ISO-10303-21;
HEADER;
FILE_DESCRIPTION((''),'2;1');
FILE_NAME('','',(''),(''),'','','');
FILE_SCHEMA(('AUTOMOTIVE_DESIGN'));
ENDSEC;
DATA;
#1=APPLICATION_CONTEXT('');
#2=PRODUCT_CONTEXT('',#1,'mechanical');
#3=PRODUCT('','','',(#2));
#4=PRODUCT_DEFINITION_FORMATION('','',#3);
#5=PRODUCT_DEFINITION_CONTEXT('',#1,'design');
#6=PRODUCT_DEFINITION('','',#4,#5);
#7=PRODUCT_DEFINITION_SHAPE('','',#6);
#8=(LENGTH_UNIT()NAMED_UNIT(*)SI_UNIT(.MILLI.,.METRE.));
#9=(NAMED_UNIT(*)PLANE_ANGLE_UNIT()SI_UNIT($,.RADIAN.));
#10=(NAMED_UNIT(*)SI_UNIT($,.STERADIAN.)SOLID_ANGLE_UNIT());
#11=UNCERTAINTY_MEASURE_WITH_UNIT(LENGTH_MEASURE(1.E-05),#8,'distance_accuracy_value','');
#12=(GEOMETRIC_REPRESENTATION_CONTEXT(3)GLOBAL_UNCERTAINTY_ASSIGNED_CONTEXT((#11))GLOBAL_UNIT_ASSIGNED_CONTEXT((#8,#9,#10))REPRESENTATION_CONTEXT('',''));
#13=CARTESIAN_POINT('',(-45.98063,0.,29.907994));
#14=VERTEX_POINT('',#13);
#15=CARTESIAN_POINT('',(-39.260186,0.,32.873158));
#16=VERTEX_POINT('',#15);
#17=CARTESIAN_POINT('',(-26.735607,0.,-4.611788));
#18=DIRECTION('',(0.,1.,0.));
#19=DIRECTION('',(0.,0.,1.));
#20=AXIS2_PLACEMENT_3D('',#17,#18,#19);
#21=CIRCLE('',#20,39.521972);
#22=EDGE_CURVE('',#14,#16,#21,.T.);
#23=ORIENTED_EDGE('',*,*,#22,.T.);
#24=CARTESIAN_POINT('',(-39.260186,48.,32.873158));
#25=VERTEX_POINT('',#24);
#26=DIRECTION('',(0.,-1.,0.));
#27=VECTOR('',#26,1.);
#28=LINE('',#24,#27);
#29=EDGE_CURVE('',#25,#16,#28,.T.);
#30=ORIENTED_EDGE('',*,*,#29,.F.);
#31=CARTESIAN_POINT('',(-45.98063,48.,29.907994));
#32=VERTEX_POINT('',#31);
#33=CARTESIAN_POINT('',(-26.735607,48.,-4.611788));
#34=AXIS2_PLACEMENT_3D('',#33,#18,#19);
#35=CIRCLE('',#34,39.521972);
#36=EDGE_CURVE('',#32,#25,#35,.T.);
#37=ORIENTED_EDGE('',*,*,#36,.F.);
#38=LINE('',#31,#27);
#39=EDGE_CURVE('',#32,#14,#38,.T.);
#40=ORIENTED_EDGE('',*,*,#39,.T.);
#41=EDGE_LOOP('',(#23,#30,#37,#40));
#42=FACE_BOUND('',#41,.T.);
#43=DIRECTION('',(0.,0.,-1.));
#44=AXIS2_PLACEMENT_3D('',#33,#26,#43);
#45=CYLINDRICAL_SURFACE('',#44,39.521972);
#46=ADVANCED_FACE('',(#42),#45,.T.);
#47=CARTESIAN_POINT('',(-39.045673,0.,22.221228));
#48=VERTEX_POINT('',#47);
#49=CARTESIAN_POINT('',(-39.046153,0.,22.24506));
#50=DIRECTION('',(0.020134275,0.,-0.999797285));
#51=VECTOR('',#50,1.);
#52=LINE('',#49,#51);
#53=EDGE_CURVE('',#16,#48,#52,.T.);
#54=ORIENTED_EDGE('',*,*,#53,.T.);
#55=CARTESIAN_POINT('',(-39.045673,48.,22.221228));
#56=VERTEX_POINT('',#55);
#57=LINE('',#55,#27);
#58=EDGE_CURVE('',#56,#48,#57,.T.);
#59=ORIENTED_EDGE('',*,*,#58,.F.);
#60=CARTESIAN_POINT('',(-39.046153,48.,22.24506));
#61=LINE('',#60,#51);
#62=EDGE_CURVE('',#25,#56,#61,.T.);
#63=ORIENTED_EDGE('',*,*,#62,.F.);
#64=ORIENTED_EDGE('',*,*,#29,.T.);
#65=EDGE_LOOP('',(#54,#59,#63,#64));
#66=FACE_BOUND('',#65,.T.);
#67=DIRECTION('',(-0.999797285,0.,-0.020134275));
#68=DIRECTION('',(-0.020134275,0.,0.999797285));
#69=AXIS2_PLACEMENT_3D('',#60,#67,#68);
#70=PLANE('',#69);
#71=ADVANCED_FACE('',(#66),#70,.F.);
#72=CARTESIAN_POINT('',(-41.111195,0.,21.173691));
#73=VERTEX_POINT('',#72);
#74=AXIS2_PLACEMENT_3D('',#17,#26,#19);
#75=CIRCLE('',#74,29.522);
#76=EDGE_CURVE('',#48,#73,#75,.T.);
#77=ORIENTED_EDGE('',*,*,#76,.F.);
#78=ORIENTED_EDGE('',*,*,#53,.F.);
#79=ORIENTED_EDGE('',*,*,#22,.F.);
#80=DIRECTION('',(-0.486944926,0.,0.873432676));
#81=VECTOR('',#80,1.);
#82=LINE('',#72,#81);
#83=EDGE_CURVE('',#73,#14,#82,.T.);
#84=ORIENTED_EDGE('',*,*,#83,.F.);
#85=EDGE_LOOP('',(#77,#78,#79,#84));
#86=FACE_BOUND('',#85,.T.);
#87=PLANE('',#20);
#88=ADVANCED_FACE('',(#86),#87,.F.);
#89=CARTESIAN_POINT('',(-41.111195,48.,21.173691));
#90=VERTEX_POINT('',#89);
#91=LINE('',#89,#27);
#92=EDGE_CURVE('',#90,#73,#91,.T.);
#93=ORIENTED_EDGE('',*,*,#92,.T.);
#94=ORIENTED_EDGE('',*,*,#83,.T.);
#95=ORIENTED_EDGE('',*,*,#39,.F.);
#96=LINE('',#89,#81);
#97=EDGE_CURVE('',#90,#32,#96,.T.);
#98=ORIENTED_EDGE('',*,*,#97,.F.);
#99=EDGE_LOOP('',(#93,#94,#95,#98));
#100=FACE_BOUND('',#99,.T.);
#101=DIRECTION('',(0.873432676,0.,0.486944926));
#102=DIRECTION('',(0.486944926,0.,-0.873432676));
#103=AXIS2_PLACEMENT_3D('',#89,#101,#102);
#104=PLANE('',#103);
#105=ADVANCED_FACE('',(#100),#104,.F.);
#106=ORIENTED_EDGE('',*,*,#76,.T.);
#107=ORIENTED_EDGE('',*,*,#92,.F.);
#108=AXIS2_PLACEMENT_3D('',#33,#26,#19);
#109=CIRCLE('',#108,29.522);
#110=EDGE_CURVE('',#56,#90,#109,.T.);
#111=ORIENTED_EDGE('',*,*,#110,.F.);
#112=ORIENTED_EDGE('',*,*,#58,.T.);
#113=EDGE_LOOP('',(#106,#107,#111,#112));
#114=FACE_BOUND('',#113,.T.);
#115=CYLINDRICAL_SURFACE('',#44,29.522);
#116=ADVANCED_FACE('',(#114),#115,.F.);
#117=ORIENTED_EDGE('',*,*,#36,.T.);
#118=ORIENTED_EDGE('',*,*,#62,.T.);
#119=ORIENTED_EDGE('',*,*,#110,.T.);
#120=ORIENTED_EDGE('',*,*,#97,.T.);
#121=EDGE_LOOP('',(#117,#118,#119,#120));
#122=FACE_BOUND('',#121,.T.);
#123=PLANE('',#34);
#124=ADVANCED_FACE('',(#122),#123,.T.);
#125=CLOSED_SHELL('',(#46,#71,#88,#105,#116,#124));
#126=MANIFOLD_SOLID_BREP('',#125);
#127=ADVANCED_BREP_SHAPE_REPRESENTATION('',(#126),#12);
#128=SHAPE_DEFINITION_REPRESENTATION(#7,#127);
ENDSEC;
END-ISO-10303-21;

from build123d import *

# Parameters (mm, degrees)
BOSS_EXTRUDE1_DEPTH = 48


with BuildPart() as part:
    # Sketch1 → Boss-Extrude1 (new body)
    with BuildSketch(Plane(origin=(0, 0, 0), x_dir=(0.9999530758491465, 0, -0.009687419668383268), z_dir=(0, 1, 0))):
        with BuildLine():
            Line((-41.314383982, -20.77443632), (-46.26820393, -29.461156439))
            ThreePointArc((-46.26820393, -29.461156439), (-42.993051469, -31.13201524), (-39.576799535, -32.491285451))
            Line((-39.576799535, -32.491285451), (-39.2598183, -21.865759848))
            Line((-39.2598183, -21.865759848), (-39.2591075, -21.841933141))
            ThreePointArc((-39.2591075, -21.841933141), (-40.297217765, -21.328346763), (-41.314383982, -20.77443632))
        make_face()
    extrude(amount=BOSS_EXTRUDE1_DEPTH)


solid = part.part
